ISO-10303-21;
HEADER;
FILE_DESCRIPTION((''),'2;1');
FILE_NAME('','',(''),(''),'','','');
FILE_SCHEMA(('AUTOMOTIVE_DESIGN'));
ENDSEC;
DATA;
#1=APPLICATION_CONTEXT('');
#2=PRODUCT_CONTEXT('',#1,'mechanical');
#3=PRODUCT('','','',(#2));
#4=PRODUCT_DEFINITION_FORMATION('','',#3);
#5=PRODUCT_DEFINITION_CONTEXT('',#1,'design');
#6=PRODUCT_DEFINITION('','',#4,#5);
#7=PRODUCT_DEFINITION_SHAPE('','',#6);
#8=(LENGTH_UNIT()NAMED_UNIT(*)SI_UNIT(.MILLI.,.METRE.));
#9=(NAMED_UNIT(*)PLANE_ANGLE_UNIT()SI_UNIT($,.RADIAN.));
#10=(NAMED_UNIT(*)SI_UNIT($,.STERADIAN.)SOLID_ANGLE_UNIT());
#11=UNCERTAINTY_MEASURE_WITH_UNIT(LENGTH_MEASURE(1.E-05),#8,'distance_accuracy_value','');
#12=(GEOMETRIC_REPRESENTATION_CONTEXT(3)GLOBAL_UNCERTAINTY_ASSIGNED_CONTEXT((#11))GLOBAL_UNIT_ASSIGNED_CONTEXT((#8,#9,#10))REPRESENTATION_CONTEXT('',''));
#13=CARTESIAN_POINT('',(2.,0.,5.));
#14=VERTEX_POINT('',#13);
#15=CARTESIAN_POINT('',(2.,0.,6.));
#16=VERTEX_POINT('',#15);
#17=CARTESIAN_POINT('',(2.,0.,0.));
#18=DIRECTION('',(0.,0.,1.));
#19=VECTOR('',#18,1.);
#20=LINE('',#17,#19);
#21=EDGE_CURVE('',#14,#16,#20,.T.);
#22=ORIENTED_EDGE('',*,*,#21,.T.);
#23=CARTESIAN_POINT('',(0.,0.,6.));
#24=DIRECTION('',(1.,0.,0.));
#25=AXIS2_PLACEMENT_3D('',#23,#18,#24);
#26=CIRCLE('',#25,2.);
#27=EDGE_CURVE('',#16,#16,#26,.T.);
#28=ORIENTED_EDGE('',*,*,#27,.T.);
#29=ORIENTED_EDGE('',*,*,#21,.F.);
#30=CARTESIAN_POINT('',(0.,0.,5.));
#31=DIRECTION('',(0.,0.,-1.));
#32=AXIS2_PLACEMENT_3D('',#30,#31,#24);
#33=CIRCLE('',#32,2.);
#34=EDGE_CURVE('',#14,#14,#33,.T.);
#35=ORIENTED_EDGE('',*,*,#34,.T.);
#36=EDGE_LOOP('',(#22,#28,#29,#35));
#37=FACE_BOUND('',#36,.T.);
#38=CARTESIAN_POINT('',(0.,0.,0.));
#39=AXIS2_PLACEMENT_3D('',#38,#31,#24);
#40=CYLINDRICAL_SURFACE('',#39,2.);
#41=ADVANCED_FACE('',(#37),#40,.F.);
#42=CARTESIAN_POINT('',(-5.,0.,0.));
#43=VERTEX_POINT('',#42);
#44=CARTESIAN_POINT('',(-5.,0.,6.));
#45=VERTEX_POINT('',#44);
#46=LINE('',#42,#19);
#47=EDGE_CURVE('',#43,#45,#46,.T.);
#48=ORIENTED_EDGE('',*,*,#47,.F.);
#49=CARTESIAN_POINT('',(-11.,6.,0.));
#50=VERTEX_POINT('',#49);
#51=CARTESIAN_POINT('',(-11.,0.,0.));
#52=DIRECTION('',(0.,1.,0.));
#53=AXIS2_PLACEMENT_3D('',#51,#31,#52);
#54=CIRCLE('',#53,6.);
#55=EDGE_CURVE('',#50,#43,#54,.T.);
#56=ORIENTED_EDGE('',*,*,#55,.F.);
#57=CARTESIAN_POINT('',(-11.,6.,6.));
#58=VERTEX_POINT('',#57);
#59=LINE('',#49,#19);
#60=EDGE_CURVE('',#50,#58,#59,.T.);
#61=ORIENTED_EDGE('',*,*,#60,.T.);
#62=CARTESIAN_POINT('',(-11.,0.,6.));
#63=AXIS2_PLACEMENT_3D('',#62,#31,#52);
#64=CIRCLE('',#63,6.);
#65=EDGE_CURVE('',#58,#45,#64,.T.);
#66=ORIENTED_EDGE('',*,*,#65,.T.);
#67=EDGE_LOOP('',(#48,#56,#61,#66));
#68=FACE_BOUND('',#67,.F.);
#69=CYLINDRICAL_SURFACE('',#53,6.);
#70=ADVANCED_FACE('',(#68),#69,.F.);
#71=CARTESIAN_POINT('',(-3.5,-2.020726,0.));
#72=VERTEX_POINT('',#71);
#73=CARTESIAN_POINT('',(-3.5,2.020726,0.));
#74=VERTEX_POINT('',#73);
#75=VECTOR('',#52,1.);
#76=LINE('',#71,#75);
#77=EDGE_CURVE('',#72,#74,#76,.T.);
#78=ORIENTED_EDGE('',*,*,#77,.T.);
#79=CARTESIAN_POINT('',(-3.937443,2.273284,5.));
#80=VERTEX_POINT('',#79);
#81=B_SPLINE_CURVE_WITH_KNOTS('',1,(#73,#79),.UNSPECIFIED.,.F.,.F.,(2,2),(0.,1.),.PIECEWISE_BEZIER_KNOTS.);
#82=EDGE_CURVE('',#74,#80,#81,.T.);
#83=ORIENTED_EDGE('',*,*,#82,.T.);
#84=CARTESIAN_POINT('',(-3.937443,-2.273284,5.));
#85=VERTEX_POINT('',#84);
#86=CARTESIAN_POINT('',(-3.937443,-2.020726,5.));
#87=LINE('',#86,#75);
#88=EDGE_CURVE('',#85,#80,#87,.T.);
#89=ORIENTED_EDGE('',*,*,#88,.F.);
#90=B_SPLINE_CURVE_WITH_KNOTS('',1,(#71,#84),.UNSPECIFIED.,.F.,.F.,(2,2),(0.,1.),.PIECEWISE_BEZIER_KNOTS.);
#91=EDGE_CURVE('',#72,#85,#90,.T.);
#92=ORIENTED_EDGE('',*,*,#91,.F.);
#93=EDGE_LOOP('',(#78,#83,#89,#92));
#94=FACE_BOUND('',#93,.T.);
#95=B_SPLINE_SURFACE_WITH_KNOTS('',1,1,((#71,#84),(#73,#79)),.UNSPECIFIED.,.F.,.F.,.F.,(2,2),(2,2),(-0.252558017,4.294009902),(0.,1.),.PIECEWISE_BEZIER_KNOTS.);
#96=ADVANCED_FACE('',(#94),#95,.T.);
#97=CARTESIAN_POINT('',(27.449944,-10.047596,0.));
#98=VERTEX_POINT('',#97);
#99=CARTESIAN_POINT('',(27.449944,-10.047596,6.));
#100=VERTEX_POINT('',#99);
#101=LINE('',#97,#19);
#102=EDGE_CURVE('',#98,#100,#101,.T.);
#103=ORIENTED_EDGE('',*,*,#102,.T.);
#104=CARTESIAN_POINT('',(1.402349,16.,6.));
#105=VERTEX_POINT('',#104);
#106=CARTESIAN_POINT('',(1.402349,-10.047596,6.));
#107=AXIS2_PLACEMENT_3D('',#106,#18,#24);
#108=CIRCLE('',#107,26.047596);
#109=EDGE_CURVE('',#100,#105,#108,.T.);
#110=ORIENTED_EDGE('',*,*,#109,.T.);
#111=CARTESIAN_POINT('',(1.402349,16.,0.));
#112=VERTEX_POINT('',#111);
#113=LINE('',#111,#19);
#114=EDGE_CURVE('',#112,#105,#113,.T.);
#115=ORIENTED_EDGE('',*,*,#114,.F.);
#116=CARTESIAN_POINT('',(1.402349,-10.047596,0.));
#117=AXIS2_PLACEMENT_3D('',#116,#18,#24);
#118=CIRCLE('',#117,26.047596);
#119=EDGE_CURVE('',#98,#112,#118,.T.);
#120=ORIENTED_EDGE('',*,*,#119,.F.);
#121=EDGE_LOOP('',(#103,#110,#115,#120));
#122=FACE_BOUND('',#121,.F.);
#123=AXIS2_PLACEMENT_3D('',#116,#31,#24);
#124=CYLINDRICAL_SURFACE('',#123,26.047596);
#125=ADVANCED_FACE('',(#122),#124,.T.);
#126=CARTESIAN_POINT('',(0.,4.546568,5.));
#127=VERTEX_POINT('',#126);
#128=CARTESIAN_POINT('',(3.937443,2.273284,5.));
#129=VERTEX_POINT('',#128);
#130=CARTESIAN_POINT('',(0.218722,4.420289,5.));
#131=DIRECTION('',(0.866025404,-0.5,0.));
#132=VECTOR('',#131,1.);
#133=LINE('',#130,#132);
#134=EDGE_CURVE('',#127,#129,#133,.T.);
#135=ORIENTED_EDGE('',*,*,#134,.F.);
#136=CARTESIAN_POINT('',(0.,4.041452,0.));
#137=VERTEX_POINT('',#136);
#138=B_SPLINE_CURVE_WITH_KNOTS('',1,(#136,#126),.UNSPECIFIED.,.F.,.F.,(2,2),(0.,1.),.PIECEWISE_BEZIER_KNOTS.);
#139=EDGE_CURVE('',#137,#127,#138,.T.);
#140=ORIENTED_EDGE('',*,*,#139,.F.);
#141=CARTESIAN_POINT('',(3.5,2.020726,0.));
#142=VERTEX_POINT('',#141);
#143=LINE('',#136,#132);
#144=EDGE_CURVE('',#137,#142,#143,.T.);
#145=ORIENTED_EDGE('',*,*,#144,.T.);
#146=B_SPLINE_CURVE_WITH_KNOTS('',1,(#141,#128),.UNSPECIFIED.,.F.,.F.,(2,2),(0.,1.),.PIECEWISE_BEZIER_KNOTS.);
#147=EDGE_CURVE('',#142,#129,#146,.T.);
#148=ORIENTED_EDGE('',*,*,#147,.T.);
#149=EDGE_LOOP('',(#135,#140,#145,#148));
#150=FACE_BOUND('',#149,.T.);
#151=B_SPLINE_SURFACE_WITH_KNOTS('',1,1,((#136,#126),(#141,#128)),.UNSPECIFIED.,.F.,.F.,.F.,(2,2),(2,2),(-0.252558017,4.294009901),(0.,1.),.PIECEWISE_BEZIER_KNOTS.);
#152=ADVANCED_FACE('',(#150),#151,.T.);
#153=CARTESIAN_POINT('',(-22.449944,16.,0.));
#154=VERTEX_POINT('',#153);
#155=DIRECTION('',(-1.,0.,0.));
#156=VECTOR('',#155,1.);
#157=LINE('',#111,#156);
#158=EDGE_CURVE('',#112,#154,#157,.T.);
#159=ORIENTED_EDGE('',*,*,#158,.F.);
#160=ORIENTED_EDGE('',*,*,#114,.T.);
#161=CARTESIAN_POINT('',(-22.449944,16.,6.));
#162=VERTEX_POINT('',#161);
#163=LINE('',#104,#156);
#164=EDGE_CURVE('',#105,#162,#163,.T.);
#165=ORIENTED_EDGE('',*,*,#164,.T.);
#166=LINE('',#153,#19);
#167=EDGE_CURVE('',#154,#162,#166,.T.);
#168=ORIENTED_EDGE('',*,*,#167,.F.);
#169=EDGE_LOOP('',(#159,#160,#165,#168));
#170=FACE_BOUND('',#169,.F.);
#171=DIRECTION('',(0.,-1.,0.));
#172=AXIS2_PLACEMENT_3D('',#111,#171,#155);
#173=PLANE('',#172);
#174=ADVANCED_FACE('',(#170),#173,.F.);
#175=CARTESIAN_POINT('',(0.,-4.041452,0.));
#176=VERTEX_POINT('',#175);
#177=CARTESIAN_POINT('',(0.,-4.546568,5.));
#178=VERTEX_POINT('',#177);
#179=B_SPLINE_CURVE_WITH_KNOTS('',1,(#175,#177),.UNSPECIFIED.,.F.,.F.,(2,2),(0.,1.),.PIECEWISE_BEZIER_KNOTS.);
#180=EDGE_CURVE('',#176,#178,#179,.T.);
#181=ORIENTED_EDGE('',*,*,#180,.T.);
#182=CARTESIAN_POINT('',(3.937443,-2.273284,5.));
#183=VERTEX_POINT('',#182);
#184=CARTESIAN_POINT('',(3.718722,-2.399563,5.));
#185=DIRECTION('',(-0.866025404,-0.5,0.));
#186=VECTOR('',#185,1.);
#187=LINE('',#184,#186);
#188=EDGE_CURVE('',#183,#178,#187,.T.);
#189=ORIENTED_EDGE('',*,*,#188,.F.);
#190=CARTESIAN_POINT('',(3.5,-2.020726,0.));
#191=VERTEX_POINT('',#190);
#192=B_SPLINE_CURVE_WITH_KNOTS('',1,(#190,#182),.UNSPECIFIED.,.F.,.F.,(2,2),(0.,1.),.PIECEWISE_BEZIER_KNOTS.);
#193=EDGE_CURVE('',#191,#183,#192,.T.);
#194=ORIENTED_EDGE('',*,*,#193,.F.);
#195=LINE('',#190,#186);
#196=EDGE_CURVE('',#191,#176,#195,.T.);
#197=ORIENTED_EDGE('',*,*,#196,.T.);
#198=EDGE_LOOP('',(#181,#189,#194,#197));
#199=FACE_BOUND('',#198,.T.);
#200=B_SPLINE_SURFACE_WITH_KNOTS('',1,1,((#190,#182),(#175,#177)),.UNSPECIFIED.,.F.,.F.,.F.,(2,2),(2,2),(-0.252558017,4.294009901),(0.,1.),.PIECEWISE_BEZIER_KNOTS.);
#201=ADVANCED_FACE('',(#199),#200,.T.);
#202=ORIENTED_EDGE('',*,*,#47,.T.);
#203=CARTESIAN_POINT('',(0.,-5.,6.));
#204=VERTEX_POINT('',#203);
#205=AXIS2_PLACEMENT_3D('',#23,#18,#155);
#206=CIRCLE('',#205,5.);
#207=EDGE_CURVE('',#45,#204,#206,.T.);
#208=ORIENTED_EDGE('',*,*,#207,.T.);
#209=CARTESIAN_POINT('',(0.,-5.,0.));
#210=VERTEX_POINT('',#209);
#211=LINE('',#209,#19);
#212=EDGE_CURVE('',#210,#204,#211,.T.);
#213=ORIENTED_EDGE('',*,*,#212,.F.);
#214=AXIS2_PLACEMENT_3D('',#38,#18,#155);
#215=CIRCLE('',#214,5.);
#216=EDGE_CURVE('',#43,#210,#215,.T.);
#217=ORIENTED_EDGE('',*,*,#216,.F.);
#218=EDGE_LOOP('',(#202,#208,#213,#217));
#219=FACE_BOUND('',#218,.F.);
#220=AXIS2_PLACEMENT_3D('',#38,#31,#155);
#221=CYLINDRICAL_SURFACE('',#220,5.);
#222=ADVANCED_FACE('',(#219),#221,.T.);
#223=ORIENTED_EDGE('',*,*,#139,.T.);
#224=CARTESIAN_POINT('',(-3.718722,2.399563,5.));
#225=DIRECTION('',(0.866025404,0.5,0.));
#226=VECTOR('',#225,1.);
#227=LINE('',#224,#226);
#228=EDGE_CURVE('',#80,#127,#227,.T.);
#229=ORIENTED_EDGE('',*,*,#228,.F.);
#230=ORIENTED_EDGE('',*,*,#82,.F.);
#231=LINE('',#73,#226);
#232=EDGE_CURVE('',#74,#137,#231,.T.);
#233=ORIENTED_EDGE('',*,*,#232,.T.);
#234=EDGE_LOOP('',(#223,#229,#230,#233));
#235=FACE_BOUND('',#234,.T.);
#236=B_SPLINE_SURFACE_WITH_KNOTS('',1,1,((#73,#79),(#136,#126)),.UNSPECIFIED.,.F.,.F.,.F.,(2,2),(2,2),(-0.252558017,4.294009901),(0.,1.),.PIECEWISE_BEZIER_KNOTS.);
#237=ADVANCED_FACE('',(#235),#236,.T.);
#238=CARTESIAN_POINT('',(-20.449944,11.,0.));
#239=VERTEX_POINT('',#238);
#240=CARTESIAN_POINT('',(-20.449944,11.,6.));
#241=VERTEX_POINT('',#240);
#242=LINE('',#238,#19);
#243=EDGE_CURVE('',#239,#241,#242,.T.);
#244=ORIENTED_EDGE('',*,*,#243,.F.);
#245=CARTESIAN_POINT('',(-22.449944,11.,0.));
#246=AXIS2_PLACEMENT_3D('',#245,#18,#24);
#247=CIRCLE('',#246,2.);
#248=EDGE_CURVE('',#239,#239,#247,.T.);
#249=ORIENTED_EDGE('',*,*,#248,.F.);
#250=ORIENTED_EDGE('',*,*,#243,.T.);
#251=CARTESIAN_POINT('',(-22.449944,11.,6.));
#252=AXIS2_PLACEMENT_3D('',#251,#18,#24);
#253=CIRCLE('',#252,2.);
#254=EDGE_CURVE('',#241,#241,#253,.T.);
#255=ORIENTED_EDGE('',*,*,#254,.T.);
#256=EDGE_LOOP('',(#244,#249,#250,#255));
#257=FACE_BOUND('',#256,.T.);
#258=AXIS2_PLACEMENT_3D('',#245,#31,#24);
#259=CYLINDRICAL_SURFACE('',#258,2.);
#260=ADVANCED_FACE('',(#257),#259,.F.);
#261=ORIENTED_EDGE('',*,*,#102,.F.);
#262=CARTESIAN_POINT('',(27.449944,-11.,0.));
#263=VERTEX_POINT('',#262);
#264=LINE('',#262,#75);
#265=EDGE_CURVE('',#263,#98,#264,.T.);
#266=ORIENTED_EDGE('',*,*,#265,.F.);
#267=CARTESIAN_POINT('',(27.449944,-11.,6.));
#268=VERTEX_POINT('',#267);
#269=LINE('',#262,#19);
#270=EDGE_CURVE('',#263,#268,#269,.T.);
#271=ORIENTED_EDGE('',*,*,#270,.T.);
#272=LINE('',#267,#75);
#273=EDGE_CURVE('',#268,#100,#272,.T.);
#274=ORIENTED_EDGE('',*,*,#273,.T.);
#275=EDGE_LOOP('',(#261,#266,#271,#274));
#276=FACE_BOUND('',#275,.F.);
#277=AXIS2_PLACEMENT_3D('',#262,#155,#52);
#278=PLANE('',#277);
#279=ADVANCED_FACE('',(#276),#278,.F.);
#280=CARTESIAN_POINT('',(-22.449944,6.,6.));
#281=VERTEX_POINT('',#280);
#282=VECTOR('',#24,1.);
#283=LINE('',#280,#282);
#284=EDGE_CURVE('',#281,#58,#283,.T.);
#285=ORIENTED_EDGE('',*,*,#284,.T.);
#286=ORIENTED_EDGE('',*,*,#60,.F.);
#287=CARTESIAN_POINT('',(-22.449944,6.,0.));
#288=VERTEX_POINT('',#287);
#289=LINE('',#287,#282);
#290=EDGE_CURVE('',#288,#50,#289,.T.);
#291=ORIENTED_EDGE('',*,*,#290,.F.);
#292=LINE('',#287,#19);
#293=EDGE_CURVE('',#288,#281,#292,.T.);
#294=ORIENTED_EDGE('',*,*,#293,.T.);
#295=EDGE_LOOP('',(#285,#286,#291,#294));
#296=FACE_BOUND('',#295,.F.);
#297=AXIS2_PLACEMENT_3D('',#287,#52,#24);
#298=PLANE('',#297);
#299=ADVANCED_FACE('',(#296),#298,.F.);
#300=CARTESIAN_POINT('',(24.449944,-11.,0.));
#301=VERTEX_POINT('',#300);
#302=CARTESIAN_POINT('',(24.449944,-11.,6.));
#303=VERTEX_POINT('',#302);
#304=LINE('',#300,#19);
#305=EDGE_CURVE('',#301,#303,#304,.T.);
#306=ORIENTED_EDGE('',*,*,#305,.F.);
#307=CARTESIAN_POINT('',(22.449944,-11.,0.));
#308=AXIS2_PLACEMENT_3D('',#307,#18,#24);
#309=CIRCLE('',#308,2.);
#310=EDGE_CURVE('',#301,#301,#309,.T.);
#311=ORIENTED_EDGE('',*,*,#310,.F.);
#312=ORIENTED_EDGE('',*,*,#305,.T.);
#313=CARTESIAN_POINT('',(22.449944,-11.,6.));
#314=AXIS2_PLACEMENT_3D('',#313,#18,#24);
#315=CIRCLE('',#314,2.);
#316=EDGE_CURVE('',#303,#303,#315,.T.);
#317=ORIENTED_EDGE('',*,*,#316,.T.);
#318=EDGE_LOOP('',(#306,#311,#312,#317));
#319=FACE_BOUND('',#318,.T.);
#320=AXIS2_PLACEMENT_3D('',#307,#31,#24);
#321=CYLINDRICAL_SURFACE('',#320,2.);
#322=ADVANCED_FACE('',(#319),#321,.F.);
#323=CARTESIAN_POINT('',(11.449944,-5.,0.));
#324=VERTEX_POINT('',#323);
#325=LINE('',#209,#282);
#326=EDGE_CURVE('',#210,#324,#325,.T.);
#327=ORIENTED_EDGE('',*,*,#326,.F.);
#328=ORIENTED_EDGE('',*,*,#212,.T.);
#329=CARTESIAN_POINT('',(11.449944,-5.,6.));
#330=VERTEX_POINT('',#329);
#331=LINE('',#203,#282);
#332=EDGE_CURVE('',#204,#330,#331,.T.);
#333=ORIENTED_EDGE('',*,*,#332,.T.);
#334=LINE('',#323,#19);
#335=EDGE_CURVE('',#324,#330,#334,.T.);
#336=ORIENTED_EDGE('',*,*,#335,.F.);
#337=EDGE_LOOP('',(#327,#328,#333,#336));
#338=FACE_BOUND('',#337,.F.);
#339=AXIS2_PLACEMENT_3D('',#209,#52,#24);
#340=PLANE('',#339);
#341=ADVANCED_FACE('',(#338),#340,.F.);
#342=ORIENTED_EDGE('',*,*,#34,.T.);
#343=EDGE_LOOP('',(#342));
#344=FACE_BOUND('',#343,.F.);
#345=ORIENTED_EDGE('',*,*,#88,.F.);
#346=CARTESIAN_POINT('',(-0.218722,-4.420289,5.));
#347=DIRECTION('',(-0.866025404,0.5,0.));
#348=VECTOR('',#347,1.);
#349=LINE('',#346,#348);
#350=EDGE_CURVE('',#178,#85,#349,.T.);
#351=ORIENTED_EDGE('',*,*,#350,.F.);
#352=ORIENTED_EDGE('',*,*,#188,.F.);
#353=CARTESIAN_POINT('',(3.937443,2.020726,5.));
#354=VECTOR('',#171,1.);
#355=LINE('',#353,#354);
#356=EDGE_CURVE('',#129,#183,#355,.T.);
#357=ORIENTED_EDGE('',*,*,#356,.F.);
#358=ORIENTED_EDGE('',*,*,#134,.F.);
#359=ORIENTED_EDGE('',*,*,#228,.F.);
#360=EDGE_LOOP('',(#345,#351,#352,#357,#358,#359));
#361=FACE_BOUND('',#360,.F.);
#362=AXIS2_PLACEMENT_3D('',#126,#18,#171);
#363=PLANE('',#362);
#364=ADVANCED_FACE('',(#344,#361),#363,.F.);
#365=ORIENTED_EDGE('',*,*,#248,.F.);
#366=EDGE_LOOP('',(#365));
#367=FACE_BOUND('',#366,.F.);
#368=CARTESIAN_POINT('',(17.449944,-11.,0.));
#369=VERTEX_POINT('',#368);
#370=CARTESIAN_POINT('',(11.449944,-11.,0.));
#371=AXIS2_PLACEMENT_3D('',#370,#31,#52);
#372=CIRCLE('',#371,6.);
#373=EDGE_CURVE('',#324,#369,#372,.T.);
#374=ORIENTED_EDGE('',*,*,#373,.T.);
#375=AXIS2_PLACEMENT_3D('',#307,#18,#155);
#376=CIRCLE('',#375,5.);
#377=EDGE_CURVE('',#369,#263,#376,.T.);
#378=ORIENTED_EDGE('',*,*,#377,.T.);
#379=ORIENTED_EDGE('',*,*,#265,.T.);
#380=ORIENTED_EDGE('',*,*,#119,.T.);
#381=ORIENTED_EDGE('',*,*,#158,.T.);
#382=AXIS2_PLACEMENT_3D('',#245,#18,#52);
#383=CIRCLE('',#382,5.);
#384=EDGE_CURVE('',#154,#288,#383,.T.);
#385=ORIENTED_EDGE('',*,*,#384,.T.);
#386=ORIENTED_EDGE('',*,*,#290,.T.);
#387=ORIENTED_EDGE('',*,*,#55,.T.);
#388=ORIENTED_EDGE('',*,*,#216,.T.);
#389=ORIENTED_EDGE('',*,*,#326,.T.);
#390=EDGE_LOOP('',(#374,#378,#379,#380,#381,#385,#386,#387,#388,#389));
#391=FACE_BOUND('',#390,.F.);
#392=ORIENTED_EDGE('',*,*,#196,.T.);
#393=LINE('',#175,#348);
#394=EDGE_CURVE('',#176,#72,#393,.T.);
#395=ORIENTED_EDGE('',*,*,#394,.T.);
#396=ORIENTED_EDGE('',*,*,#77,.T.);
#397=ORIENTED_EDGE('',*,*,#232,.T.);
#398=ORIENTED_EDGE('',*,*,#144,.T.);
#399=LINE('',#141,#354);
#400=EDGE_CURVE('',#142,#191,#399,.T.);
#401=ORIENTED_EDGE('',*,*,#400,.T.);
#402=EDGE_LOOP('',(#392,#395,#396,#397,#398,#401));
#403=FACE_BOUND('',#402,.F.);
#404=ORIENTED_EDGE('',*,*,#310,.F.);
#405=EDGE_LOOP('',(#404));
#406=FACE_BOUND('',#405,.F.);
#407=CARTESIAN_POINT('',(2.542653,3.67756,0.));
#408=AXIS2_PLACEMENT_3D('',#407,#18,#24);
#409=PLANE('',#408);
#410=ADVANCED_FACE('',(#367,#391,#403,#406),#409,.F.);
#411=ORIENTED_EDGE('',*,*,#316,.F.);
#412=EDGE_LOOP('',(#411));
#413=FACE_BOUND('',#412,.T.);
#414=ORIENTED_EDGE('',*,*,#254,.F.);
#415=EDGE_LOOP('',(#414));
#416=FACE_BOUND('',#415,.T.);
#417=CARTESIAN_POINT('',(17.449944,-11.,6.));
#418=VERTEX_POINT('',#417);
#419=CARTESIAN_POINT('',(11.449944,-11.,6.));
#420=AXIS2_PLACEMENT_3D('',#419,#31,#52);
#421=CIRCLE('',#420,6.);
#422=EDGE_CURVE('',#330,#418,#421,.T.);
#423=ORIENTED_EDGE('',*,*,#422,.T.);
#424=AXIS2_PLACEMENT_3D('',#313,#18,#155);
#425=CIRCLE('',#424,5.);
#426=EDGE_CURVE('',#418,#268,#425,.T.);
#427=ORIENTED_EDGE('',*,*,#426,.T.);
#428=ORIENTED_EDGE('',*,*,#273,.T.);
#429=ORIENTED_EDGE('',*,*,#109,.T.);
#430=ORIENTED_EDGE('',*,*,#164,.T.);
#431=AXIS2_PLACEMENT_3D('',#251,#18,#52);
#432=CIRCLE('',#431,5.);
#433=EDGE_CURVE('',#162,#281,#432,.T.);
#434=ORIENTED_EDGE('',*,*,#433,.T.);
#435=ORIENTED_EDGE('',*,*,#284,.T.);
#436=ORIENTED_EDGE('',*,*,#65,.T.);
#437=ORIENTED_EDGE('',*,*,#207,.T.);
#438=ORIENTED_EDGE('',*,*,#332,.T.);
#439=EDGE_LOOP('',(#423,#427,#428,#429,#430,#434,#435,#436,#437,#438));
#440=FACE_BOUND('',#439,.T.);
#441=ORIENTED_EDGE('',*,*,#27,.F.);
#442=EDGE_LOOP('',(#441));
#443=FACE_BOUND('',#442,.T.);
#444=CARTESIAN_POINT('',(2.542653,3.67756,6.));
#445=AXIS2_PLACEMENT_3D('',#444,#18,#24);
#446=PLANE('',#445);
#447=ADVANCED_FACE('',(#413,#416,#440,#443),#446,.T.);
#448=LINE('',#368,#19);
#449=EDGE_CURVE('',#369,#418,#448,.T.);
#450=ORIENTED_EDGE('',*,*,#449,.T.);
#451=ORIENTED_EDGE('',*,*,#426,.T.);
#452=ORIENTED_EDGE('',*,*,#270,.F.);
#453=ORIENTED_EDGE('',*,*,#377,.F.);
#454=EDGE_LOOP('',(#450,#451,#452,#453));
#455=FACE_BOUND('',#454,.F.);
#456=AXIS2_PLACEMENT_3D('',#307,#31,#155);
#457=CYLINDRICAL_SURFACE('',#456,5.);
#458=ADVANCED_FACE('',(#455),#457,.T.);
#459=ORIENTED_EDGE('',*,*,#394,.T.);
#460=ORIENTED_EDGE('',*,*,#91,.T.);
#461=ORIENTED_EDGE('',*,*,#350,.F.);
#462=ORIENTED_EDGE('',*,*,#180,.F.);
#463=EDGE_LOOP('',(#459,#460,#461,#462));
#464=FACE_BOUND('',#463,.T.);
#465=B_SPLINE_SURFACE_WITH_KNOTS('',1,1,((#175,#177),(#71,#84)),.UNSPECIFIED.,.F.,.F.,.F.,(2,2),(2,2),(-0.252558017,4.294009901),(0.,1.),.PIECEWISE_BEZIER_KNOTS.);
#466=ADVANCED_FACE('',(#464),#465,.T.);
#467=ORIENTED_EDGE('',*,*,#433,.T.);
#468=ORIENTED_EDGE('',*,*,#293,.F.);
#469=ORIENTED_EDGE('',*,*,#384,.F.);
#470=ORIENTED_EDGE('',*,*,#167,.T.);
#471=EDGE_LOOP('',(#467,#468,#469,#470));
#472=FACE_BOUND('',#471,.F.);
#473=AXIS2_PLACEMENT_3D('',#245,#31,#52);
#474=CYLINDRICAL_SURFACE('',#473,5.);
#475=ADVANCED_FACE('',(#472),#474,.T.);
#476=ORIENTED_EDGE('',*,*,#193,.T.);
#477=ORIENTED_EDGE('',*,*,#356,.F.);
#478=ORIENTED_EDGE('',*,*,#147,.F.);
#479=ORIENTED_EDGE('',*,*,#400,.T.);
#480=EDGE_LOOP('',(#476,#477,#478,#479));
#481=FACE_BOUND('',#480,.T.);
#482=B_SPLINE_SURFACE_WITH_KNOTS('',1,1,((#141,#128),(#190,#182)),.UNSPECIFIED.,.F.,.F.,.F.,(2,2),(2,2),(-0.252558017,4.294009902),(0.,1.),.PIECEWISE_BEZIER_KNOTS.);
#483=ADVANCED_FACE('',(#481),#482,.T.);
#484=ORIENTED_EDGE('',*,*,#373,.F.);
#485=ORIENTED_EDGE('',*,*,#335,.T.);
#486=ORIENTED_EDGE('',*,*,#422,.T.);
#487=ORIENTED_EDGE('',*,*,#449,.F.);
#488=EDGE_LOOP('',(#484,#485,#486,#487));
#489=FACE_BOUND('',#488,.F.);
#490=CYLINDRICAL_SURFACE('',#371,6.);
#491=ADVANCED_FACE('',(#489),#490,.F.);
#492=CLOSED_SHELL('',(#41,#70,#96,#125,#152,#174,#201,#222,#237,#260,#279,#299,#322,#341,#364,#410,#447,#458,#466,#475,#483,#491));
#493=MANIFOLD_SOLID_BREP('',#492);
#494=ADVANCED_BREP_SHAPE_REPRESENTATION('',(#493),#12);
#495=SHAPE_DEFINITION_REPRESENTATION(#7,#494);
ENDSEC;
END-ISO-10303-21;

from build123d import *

# Parameters (mm, degrees)
F0_R     = 2
F1_DEPTH = 6
F3_DEPTH = 5
F3_TAPER = -5


with BuildPart() as f1:
    # F0 (on Top) → F1 (new body)
    with BuildSketch(Plane.XY):
        with BuildLine():
            ThreePointArc((-22.4499443206, 16), (-27.4499443206, 11), (-22.4499443206, 6))
            Line((-22.4499443206, 6), (-11, 6))
            ThreePointArc((-11, 6), (-6.7573593129, 4.2426406871), (-5, 0))
            ThreePointArc((-5, 0), (-3.5355339059, -3.5355339059), (0, -5))
            Line((0, -5), (11.4499443206, -5))
            ThreePointArc((11.4499443206, -5), (15.6925850078, -6.7573593129), (17.4499443206, -11))
            ThreePointArc((17.4499443206, -11), (22.4499443206, -16), (27.4499443206, -11))
            Line((27.4499443206, -11), (27.4499443206, -10.047595575))
            ThreePointArc((27.4499443206, -10.047595575), (19.8207802103, 8.3708358897), (1.4023487456, 16))
            Line((1.4023487456, 16), (-22.4499443206, 16))
        make_face()
        with Locations((22.4499443206, -11)):
            Circle(F0_R, mode=Mode.SUBTRACT)
        with Locations((-22.4499443206, 11)):
            Circle(F0_R, mode=Mode.SUBTRACT)
        Circle(F0_R, mode=Mode.SUBTRACT)
    extrude(amount=F1_DEPTH)

    # F2 (on face) → F3 (cut)
    with BuildSketch(Plane(origin=(0, 0, 0), x_dir=(1, 0, 0), z_dir=(0, 0, -1))):
        Polygon((0, -4.0414518843), (3.5, -2.0207259422), (3.5, 2.0207259422), (0, 4.0414518843), (-3.5, 2.0207259422), (-3.5, -2.0207259422), align=None)
    extrude(amount=-F3_DEPTH, taper=F3_TAPER, mode=Mode.SUBTRACT)


solid = f1.part
